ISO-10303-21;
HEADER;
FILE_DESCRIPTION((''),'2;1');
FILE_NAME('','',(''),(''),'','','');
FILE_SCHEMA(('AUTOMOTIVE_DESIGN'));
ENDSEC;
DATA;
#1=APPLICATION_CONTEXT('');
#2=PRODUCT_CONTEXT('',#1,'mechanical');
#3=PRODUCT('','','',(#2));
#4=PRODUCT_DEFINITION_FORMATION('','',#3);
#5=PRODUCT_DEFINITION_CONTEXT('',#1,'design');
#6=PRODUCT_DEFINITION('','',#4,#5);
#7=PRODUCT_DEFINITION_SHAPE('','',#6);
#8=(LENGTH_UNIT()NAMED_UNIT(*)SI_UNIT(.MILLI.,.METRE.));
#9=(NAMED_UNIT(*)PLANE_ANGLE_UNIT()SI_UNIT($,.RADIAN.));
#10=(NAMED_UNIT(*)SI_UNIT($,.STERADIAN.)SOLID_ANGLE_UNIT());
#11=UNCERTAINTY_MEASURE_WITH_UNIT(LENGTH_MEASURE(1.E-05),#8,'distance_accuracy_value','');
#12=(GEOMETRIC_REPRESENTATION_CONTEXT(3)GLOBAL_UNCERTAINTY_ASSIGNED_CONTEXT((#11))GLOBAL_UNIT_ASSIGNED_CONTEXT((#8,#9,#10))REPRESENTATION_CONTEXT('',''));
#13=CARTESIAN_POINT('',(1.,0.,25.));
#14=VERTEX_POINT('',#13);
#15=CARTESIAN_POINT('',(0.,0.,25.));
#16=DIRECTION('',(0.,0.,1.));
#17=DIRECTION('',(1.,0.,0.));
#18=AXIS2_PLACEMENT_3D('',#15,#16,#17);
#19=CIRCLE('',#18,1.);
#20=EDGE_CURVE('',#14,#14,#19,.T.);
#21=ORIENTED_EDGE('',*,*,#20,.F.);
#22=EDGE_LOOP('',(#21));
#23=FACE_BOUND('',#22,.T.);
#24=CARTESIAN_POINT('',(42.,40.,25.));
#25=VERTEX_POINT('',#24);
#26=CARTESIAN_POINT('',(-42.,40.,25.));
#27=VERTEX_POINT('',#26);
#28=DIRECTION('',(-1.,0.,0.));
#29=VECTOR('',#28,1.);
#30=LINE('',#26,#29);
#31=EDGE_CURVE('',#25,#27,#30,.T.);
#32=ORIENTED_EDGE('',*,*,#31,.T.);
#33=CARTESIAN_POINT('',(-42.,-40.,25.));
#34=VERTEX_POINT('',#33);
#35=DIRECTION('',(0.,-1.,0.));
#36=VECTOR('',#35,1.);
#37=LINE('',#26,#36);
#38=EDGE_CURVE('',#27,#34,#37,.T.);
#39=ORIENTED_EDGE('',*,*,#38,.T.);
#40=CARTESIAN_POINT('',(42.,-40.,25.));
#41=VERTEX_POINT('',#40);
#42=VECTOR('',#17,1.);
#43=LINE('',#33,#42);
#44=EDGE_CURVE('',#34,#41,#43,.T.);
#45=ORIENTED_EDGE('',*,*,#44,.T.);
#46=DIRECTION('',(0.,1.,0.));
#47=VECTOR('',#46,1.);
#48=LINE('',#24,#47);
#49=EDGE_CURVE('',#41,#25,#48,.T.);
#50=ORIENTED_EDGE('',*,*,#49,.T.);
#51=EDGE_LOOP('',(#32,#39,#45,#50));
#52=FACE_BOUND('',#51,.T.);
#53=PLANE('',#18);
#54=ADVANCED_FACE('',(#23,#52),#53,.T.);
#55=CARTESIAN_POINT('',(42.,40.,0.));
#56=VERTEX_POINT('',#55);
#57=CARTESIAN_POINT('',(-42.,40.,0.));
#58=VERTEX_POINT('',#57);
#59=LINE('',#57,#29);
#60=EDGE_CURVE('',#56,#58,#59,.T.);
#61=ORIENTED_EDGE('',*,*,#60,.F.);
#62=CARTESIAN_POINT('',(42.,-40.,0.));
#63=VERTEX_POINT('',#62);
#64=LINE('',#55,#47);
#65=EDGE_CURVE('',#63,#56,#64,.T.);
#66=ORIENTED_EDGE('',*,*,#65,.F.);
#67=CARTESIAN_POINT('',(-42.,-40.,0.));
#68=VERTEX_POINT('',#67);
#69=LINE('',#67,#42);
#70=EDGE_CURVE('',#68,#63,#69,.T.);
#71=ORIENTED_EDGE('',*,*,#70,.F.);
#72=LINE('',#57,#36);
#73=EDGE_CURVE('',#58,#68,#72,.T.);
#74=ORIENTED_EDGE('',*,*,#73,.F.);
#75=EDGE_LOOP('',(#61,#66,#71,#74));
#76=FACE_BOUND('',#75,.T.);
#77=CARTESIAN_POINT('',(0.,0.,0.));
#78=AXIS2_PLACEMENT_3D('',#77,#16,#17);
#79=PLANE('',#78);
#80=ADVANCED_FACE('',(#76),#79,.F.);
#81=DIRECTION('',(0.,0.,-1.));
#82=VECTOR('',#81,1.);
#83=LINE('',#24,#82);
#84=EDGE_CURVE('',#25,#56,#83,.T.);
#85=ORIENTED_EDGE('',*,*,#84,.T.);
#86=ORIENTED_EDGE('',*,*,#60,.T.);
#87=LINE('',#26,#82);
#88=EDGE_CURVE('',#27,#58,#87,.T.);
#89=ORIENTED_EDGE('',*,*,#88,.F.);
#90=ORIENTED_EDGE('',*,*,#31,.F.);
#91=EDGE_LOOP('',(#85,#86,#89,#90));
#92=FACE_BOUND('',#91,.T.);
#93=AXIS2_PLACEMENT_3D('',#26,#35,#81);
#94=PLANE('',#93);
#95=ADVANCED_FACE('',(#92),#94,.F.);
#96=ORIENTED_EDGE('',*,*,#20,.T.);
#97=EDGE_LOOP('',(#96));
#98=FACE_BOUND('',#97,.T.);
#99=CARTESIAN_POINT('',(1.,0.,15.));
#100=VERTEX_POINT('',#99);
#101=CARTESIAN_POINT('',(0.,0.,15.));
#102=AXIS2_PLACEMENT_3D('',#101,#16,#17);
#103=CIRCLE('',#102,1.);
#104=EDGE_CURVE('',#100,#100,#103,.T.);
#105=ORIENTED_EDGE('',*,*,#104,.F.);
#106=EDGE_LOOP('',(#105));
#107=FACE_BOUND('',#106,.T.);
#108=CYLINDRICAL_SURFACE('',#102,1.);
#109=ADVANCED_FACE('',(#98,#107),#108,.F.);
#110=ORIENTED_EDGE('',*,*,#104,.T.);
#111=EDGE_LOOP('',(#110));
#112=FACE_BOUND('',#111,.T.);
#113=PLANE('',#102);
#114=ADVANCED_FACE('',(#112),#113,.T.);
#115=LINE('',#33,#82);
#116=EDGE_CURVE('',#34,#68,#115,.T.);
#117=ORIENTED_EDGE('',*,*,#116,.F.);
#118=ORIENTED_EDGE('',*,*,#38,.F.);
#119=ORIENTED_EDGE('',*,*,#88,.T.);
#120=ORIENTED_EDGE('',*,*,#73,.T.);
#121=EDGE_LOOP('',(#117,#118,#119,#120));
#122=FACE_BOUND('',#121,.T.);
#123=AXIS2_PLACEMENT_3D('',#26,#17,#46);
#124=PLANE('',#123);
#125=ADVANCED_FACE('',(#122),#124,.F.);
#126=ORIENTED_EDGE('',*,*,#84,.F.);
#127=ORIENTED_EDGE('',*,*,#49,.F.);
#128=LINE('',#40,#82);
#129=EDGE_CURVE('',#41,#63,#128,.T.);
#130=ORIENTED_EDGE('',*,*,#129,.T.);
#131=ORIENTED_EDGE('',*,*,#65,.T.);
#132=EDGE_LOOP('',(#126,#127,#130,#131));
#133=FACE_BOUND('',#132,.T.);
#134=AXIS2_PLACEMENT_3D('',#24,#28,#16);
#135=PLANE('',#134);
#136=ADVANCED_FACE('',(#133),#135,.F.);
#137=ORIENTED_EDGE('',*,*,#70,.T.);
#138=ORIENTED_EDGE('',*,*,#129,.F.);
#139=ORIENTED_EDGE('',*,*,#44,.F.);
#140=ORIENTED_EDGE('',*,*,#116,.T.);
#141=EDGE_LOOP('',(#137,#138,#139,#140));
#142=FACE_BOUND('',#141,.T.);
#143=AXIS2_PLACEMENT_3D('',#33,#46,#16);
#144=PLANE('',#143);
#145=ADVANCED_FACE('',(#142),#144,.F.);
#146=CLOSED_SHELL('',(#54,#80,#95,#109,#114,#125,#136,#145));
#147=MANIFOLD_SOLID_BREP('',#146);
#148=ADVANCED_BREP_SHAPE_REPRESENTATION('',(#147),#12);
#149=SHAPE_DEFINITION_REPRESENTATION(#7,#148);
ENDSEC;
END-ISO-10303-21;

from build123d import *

# Parameters (mm, degrees)
CROQUIS1_W              = 84
CROQUIS1_H              = 80
SALIENTE_EXTRUIR1_DEPTH = 25
CROQUIS2_R              = 1
CORTAR_EXTRUIR1_DEPTH   = 10


with BuildPart() as part:
    # Croquis1 → Saliente-Extruir1 (new body)
    with BuildSketch(Plane.XY):
        Rectangle(CROQUIS1_W, CROQUIS1_H)
    extrude(amount=SALIENTE_EXTRUIR1_DEPTH)

    # Croquis2 → Cortar-Extruir1 (cut)
    with BuildSketch(Plane.XY.offset(25)):
        Circle(CROQUIS2_R)
    extrude(amount=-CORTAR_EXTRUIR1_DEPTH, mode=Mode.SUBTRACT)


solid = part.part
